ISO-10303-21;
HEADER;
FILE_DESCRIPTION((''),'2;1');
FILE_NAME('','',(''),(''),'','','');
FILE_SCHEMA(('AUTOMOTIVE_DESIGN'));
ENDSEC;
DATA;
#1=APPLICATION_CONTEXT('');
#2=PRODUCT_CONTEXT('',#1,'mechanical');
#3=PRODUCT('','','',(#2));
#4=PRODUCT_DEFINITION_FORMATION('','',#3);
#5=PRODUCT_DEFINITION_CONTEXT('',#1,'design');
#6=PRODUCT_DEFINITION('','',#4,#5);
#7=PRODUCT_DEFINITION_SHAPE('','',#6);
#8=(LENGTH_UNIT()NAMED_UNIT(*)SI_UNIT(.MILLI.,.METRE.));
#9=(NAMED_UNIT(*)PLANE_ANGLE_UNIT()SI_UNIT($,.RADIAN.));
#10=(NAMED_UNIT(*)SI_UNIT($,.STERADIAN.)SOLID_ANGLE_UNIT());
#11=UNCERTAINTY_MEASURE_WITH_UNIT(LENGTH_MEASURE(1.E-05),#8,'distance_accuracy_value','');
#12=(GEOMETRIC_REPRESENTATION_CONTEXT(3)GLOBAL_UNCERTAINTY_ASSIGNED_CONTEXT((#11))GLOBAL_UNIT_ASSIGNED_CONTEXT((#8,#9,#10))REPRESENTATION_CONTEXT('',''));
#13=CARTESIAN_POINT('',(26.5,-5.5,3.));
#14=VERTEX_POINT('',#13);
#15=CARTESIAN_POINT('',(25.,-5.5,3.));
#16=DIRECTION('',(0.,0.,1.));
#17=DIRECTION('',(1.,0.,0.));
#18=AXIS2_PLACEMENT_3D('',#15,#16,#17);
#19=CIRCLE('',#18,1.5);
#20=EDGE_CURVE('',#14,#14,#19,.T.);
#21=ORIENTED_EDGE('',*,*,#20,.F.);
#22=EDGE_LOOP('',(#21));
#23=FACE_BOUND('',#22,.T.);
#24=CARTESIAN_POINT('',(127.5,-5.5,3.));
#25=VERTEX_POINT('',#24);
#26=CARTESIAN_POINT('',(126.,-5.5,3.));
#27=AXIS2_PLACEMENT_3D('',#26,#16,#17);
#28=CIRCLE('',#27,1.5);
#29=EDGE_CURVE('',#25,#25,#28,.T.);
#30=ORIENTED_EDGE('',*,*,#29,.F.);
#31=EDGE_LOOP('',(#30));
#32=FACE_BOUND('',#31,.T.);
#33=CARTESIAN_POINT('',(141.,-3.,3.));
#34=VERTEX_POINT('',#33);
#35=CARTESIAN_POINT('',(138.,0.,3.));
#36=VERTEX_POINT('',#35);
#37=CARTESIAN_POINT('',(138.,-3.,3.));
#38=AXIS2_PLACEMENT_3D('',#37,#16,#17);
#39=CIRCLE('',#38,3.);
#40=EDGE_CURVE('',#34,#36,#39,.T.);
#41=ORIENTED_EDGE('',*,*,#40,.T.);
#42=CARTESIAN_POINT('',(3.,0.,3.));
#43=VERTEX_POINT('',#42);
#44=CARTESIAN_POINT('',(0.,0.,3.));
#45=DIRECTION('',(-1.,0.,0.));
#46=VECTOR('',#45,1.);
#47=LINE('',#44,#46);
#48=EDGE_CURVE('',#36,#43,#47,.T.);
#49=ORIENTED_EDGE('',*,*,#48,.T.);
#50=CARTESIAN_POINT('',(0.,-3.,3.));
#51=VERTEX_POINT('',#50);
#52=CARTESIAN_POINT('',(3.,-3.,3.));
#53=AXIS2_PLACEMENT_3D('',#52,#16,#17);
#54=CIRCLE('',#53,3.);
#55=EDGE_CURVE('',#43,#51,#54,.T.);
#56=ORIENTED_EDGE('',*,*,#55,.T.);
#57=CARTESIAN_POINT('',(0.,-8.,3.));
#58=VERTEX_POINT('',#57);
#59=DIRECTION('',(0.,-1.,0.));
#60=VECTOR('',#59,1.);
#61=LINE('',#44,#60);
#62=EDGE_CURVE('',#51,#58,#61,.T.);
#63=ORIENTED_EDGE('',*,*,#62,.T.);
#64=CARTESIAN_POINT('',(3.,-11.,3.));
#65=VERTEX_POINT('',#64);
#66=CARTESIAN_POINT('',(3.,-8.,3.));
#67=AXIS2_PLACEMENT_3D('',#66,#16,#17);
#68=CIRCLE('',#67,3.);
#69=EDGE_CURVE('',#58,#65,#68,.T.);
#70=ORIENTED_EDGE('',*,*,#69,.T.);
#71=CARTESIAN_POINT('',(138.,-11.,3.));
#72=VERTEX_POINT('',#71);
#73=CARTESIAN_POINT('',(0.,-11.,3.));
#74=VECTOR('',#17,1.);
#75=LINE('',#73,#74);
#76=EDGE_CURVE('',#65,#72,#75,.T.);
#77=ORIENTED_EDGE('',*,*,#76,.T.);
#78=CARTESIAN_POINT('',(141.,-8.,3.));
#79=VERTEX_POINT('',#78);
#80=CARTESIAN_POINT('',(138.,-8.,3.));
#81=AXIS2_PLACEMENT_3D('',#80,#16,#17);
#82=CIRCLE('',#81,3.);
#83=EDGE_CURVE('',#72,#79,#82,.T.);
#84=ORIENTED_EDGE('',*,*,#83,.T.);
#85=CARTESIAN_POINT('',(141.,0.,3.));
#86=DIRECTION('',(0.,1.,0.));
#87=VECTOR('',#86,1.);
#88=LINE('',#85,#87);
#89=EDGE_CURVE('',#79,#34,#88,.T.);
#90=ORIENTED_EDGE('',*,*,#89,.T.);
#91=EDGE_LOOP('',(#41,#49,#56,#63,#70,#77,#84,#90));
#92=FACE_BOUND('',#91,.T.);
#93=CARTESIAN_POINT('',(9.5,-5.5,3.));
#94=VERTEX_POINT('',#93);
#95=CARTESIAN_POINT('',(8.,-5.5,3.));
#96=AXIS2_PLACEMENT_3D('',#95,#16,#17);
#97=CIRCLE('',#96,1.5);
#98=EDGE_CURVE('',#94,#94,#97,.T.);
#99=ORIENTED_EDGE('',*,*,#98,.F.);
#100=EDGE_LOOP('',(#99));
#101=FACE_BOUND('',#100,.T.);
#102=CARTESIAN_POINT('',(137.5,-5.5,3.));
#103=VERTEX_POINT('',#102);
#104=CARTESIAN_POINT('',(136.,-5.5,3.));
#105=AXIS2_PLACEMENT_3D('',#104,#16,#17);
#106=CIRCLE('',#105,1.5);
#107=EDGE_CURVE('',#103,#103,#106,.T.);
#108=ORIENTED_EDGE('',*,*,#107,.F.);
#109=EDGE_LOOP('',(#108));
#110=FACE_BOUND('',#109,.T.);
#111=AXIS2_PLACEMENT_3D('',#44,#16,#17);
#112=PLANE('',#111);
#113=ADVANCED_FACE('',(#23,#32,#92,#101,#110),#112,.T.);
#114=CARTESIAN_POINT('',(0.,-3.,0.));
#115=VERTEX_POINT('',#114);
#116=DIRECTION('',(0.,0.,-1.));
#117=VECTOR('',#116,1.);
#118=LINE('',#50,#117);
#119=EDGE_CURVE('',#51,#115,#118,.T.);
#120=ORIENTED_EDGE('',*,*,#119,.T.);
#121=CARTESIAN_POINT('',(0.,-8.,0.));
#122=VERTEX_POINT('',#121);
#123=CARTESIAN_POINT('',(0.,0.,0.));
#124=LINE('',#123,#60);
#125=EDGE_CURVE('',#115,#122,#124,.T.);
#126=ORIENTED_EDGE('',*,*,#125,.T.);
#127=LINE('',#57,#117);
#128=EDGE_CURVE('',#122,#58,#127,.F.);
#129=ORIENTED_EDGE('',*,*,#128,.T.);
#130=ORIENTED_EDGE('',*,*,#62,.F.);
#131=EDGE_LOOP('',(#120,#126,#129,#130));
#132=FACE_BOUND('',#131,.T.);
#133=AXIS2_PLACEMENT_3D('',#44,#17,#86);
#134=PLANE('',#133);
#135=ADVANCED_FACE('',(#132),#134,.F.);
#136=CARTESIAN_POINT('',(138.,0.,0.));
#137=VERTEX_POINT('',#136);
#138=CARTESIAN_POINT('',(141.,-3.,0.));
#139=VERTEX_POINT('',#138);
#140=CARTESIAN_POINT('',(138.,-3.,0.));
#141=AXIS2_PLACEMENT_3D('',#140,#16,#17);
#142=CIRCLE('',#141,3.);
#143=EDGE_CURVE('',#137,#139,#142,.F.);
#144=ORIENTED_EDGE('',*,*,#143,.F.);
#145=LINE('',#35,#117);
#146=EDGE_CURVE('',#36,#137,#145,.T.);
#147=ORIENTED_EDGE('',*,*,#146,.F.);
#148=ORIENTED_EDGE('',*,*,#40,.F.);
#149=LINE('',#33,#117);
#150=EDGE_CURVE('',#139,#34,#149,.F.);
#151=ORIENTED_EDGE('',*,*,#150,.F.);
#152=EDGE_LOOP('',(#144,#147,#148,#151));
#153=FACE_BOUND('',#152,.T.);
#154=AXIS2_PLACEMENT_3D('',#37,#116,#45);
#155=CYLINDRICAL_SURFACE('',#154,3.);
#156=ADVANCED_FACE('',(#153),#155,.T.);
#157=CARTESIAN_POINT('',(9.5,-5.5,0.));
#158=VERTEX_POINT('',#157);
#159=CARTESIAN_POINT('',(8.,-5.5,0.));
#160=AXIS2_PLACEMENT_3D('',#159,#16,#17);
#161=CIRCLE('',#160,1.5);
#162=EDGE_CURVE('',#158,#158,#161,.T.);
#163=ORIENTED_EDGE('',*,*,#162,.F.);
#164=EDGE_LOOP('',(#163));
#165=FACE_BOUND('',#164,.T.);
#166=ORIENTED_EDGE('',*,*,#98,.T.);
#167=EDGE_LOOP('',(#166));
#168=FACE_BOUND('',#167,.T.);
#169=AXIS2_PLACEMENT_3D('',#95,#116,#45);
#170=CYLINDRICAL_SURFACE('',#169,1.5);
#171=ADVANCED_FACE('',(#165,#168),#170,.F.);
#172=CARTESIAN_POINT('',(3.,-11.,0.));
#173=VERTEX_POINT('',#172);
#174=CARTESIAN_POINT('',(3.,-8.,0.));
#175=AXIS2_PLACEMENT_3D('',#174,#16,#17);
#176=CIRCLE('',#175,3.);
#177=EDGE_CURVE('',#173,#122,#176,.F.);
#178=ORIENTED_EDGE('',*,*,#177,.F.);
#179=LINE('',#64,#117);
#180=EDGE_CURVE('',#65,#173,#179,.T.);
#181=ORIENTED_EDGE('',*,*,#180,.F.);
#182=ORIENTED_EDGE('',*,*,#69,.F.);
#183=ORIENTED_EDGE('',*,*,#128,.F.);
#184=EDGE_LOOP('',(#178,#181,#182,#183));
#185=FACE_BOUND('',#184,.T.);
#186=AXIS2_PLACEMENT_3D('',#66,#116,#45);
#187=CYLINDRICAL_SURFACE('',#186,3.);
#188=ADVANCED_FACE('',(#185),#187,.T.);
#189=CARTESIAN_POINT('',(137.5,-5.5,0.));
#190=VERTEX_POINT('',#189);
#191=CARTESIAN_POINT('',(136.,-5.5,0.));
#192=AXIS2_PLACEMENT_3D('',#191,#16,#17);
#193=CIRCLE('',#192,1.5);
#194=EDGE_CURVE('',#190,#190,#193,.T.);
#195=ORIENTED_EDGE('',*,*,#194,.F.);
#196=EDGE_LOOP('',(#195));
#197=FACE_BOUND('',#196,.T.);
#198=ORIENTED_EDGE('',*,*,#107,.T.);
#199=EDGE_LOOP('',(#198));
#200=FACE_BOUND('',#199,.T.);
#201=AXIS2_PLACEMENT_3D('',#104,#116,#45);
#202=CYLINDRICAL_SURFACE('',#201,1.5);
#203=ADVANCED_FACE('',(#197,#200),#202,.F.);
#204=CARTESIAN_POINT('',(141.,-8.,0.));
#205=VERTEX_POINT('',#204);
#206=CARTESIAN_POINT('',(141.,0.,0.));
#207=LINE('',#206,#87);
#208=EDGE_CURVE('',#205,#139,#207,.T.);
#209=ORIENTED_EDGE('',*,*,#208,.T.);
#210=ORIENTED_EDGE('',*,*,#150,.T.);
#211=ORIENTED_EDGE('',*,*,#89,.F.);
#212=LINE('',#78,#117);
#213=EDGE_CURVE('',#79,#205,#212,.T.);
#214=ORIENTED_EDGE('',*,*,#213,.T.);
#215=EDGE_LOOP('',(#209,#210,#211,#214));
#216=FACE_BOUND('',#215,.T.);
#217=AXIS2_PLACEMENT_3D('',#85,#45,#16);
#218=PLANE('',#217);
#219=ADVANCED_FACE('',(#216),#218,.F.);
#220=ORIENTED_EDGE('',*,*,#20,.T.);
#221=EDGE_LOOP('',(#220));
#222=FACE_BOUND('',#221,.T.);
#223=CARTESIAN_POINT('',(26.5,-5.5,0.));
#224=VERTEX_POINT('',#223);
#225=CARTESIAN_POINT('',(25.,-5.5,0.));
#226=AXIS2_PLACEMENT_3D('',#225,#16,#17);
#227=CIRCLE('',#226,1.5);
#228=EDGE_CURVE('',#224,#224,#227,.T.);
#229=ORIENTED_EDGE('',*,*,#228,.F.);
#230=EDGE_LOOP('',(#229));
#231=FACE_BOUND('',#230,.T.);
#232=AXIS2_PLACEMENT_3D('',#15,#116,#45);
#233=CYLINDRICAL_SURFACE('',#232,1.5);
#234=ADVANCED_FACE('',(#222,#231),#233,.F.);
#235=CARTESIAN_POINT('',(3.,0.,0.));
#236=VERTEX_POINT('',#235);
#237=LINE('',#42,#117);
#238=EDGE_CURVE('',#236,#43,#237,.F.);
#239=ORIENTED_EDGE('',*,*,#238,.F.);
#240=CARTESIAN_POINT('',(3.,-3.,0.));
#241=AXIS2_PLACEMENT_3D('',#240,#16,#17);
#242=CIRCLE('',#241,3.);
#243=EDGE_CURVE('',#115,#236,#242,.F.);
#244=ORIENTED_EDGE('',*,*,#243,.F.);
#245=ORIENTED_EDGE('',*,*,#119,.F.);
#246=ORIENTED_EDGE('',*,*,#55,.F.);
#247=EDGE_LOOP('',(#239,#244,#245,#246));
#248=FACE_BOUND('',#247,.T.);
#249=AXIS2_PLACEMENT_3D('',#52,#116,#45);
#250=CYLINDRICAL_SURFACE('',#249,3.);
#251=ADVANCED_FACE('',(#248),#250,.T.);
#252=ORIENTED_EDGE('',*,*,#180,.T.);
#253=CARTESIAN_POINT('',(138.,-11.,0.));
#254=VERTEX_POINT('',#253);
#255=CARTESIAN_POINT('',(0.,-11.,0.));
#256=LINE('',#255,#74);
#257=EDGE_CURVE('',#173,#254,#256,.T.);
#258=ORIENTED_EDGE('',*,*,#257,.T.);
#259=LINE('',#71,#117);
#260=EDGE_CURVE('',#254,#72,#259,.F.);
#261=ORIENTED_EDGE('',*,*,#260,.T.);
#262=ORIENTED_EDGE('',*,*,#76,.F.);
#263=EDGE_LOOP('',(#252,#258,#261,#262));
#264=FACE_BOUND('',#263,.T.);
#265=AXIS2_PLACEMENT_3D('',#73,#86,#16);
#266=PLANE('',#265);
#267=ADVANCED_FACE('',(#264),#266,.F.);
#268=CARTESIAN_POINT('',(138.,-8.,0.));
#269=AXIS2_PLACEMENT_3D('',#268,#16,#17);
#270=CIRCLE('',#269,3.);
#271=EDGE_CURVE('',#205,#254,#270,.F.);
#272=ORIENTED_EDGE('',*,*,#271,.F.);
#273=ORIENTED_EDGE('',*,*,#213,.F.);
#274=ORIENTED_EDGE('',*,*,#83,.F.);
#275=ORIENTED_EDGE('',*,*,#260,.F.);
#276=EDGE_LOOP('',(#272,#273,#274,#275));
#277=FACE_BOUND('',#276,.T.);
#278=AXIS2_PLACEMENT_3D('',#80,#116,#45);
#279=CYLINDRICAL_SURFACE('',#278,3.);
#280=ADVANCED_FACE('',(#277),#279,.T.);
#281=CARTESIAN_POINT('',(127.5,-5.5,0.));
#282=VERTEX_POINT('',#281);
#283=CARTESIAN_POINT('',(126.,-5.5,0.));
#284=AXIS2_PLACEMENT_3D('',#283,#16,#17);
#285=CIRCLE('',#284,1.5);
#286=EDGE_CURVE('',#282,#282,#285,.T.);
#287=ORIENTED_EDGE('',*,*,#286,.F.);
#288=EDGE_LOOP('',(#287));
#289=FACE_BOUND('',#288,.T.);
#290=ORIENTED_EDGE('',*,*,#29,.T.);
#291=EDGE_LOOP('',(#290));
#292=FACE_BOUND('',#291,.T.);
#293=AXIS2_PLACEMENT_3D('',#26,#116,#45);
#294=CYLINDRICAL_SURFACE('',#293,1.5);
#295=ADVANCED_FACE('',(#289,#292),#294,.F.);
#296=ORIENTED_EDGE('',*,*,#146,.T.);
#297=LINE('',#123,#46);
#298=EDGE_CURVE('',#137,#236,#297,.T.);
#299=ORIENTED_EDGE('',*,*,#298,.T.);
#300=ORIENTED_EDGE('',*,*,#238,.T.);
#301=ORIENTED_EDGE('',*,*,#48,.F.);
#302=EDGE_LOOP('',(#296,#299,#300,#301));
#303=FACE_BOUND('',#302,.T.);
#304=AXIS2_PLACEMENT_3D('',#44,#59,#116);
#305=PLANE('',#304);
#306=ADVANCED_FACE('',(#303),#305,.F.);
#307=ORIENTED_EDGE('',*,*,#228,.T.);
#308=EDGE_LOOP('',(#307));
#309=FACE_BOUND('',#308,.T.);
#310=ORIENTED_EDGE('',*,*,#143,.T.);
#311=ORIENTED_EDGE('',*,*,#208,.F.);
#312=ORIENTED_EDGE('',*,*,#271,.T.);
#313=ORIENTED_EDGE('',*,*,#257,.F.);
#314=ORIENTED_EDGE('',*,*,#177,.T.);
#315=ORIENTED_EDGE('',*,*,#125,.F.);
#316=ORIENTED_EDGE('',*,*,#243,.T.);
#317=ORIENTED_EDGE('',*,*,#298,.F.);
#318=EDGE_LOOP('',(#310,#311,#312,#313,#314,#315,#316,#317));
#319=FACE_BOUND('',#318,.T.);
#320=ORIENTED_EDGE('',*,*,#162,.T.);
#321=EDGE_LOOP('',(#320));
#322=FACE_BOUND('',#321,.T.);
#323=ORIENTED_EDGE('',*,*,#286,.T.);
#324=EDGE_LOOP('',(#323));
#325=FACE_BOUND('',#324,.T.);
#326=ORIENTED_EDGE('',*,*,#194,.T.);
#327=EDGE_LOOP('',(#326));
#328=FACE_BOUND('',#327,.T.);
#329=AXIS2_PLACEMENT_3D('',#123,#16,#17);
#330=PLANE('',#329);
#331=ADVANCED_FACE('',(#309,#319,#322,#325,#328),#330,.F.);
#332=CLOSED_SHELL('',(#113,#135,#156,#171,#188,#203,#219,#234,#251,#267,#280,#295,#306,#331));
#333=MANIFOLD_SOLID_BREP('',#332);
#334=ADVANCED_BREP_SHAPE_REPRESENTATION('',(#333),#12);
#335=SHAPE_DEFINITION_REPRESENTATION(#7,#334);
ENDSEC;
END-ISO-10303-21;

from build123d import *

# Parameters (mm, degrees)
SKETCH_1_W      = 141
SKETCH_1_H      = 11
SKETCH_1_R      = 1.5
EXTRUDE_1_DEPTH = 3
FILLET_1_R      = 3


with BuildPart() as part:
    # 草图1 → 凸台-拉伸1 (new body)
    with BuildSketch(Plane.XY):
        with Locations((70.5, -5.5)):
            Rectangle(SKETCH_1_W, SKETCH_1_H)
        with Locations((126, -5.5)):
            Circle(SKETCH_1_R, mode=Mode.SUBTRACT)
        with Locations((136, -5.5)):
            Circle(SKETCH_1_R, mode=Mode.SUBTRACT)
        with Locations((8, -5.5)):
            Circle(SKETCH_1_R, mode=Mode.SUBTRACT)
        with Locations((25, -5.5)):
            Circle(SKETCH_1_R, mode=Mode.SUBTRACT)
    extrude(amount=EXTRUDE_1_DEPTH)

    # 圆角1
    fillet_1_edges = [part.edges().sort_by_distance(p)[0] for p in [
        (0, 0, 1.5),
        (141, 0, 1.5),
        (141, -11, 1.5),
        (0, -11, 1.5),
    ]]
    fillet(fillet_1_edges, radius=FILLET_1_R)


solid = part.part
